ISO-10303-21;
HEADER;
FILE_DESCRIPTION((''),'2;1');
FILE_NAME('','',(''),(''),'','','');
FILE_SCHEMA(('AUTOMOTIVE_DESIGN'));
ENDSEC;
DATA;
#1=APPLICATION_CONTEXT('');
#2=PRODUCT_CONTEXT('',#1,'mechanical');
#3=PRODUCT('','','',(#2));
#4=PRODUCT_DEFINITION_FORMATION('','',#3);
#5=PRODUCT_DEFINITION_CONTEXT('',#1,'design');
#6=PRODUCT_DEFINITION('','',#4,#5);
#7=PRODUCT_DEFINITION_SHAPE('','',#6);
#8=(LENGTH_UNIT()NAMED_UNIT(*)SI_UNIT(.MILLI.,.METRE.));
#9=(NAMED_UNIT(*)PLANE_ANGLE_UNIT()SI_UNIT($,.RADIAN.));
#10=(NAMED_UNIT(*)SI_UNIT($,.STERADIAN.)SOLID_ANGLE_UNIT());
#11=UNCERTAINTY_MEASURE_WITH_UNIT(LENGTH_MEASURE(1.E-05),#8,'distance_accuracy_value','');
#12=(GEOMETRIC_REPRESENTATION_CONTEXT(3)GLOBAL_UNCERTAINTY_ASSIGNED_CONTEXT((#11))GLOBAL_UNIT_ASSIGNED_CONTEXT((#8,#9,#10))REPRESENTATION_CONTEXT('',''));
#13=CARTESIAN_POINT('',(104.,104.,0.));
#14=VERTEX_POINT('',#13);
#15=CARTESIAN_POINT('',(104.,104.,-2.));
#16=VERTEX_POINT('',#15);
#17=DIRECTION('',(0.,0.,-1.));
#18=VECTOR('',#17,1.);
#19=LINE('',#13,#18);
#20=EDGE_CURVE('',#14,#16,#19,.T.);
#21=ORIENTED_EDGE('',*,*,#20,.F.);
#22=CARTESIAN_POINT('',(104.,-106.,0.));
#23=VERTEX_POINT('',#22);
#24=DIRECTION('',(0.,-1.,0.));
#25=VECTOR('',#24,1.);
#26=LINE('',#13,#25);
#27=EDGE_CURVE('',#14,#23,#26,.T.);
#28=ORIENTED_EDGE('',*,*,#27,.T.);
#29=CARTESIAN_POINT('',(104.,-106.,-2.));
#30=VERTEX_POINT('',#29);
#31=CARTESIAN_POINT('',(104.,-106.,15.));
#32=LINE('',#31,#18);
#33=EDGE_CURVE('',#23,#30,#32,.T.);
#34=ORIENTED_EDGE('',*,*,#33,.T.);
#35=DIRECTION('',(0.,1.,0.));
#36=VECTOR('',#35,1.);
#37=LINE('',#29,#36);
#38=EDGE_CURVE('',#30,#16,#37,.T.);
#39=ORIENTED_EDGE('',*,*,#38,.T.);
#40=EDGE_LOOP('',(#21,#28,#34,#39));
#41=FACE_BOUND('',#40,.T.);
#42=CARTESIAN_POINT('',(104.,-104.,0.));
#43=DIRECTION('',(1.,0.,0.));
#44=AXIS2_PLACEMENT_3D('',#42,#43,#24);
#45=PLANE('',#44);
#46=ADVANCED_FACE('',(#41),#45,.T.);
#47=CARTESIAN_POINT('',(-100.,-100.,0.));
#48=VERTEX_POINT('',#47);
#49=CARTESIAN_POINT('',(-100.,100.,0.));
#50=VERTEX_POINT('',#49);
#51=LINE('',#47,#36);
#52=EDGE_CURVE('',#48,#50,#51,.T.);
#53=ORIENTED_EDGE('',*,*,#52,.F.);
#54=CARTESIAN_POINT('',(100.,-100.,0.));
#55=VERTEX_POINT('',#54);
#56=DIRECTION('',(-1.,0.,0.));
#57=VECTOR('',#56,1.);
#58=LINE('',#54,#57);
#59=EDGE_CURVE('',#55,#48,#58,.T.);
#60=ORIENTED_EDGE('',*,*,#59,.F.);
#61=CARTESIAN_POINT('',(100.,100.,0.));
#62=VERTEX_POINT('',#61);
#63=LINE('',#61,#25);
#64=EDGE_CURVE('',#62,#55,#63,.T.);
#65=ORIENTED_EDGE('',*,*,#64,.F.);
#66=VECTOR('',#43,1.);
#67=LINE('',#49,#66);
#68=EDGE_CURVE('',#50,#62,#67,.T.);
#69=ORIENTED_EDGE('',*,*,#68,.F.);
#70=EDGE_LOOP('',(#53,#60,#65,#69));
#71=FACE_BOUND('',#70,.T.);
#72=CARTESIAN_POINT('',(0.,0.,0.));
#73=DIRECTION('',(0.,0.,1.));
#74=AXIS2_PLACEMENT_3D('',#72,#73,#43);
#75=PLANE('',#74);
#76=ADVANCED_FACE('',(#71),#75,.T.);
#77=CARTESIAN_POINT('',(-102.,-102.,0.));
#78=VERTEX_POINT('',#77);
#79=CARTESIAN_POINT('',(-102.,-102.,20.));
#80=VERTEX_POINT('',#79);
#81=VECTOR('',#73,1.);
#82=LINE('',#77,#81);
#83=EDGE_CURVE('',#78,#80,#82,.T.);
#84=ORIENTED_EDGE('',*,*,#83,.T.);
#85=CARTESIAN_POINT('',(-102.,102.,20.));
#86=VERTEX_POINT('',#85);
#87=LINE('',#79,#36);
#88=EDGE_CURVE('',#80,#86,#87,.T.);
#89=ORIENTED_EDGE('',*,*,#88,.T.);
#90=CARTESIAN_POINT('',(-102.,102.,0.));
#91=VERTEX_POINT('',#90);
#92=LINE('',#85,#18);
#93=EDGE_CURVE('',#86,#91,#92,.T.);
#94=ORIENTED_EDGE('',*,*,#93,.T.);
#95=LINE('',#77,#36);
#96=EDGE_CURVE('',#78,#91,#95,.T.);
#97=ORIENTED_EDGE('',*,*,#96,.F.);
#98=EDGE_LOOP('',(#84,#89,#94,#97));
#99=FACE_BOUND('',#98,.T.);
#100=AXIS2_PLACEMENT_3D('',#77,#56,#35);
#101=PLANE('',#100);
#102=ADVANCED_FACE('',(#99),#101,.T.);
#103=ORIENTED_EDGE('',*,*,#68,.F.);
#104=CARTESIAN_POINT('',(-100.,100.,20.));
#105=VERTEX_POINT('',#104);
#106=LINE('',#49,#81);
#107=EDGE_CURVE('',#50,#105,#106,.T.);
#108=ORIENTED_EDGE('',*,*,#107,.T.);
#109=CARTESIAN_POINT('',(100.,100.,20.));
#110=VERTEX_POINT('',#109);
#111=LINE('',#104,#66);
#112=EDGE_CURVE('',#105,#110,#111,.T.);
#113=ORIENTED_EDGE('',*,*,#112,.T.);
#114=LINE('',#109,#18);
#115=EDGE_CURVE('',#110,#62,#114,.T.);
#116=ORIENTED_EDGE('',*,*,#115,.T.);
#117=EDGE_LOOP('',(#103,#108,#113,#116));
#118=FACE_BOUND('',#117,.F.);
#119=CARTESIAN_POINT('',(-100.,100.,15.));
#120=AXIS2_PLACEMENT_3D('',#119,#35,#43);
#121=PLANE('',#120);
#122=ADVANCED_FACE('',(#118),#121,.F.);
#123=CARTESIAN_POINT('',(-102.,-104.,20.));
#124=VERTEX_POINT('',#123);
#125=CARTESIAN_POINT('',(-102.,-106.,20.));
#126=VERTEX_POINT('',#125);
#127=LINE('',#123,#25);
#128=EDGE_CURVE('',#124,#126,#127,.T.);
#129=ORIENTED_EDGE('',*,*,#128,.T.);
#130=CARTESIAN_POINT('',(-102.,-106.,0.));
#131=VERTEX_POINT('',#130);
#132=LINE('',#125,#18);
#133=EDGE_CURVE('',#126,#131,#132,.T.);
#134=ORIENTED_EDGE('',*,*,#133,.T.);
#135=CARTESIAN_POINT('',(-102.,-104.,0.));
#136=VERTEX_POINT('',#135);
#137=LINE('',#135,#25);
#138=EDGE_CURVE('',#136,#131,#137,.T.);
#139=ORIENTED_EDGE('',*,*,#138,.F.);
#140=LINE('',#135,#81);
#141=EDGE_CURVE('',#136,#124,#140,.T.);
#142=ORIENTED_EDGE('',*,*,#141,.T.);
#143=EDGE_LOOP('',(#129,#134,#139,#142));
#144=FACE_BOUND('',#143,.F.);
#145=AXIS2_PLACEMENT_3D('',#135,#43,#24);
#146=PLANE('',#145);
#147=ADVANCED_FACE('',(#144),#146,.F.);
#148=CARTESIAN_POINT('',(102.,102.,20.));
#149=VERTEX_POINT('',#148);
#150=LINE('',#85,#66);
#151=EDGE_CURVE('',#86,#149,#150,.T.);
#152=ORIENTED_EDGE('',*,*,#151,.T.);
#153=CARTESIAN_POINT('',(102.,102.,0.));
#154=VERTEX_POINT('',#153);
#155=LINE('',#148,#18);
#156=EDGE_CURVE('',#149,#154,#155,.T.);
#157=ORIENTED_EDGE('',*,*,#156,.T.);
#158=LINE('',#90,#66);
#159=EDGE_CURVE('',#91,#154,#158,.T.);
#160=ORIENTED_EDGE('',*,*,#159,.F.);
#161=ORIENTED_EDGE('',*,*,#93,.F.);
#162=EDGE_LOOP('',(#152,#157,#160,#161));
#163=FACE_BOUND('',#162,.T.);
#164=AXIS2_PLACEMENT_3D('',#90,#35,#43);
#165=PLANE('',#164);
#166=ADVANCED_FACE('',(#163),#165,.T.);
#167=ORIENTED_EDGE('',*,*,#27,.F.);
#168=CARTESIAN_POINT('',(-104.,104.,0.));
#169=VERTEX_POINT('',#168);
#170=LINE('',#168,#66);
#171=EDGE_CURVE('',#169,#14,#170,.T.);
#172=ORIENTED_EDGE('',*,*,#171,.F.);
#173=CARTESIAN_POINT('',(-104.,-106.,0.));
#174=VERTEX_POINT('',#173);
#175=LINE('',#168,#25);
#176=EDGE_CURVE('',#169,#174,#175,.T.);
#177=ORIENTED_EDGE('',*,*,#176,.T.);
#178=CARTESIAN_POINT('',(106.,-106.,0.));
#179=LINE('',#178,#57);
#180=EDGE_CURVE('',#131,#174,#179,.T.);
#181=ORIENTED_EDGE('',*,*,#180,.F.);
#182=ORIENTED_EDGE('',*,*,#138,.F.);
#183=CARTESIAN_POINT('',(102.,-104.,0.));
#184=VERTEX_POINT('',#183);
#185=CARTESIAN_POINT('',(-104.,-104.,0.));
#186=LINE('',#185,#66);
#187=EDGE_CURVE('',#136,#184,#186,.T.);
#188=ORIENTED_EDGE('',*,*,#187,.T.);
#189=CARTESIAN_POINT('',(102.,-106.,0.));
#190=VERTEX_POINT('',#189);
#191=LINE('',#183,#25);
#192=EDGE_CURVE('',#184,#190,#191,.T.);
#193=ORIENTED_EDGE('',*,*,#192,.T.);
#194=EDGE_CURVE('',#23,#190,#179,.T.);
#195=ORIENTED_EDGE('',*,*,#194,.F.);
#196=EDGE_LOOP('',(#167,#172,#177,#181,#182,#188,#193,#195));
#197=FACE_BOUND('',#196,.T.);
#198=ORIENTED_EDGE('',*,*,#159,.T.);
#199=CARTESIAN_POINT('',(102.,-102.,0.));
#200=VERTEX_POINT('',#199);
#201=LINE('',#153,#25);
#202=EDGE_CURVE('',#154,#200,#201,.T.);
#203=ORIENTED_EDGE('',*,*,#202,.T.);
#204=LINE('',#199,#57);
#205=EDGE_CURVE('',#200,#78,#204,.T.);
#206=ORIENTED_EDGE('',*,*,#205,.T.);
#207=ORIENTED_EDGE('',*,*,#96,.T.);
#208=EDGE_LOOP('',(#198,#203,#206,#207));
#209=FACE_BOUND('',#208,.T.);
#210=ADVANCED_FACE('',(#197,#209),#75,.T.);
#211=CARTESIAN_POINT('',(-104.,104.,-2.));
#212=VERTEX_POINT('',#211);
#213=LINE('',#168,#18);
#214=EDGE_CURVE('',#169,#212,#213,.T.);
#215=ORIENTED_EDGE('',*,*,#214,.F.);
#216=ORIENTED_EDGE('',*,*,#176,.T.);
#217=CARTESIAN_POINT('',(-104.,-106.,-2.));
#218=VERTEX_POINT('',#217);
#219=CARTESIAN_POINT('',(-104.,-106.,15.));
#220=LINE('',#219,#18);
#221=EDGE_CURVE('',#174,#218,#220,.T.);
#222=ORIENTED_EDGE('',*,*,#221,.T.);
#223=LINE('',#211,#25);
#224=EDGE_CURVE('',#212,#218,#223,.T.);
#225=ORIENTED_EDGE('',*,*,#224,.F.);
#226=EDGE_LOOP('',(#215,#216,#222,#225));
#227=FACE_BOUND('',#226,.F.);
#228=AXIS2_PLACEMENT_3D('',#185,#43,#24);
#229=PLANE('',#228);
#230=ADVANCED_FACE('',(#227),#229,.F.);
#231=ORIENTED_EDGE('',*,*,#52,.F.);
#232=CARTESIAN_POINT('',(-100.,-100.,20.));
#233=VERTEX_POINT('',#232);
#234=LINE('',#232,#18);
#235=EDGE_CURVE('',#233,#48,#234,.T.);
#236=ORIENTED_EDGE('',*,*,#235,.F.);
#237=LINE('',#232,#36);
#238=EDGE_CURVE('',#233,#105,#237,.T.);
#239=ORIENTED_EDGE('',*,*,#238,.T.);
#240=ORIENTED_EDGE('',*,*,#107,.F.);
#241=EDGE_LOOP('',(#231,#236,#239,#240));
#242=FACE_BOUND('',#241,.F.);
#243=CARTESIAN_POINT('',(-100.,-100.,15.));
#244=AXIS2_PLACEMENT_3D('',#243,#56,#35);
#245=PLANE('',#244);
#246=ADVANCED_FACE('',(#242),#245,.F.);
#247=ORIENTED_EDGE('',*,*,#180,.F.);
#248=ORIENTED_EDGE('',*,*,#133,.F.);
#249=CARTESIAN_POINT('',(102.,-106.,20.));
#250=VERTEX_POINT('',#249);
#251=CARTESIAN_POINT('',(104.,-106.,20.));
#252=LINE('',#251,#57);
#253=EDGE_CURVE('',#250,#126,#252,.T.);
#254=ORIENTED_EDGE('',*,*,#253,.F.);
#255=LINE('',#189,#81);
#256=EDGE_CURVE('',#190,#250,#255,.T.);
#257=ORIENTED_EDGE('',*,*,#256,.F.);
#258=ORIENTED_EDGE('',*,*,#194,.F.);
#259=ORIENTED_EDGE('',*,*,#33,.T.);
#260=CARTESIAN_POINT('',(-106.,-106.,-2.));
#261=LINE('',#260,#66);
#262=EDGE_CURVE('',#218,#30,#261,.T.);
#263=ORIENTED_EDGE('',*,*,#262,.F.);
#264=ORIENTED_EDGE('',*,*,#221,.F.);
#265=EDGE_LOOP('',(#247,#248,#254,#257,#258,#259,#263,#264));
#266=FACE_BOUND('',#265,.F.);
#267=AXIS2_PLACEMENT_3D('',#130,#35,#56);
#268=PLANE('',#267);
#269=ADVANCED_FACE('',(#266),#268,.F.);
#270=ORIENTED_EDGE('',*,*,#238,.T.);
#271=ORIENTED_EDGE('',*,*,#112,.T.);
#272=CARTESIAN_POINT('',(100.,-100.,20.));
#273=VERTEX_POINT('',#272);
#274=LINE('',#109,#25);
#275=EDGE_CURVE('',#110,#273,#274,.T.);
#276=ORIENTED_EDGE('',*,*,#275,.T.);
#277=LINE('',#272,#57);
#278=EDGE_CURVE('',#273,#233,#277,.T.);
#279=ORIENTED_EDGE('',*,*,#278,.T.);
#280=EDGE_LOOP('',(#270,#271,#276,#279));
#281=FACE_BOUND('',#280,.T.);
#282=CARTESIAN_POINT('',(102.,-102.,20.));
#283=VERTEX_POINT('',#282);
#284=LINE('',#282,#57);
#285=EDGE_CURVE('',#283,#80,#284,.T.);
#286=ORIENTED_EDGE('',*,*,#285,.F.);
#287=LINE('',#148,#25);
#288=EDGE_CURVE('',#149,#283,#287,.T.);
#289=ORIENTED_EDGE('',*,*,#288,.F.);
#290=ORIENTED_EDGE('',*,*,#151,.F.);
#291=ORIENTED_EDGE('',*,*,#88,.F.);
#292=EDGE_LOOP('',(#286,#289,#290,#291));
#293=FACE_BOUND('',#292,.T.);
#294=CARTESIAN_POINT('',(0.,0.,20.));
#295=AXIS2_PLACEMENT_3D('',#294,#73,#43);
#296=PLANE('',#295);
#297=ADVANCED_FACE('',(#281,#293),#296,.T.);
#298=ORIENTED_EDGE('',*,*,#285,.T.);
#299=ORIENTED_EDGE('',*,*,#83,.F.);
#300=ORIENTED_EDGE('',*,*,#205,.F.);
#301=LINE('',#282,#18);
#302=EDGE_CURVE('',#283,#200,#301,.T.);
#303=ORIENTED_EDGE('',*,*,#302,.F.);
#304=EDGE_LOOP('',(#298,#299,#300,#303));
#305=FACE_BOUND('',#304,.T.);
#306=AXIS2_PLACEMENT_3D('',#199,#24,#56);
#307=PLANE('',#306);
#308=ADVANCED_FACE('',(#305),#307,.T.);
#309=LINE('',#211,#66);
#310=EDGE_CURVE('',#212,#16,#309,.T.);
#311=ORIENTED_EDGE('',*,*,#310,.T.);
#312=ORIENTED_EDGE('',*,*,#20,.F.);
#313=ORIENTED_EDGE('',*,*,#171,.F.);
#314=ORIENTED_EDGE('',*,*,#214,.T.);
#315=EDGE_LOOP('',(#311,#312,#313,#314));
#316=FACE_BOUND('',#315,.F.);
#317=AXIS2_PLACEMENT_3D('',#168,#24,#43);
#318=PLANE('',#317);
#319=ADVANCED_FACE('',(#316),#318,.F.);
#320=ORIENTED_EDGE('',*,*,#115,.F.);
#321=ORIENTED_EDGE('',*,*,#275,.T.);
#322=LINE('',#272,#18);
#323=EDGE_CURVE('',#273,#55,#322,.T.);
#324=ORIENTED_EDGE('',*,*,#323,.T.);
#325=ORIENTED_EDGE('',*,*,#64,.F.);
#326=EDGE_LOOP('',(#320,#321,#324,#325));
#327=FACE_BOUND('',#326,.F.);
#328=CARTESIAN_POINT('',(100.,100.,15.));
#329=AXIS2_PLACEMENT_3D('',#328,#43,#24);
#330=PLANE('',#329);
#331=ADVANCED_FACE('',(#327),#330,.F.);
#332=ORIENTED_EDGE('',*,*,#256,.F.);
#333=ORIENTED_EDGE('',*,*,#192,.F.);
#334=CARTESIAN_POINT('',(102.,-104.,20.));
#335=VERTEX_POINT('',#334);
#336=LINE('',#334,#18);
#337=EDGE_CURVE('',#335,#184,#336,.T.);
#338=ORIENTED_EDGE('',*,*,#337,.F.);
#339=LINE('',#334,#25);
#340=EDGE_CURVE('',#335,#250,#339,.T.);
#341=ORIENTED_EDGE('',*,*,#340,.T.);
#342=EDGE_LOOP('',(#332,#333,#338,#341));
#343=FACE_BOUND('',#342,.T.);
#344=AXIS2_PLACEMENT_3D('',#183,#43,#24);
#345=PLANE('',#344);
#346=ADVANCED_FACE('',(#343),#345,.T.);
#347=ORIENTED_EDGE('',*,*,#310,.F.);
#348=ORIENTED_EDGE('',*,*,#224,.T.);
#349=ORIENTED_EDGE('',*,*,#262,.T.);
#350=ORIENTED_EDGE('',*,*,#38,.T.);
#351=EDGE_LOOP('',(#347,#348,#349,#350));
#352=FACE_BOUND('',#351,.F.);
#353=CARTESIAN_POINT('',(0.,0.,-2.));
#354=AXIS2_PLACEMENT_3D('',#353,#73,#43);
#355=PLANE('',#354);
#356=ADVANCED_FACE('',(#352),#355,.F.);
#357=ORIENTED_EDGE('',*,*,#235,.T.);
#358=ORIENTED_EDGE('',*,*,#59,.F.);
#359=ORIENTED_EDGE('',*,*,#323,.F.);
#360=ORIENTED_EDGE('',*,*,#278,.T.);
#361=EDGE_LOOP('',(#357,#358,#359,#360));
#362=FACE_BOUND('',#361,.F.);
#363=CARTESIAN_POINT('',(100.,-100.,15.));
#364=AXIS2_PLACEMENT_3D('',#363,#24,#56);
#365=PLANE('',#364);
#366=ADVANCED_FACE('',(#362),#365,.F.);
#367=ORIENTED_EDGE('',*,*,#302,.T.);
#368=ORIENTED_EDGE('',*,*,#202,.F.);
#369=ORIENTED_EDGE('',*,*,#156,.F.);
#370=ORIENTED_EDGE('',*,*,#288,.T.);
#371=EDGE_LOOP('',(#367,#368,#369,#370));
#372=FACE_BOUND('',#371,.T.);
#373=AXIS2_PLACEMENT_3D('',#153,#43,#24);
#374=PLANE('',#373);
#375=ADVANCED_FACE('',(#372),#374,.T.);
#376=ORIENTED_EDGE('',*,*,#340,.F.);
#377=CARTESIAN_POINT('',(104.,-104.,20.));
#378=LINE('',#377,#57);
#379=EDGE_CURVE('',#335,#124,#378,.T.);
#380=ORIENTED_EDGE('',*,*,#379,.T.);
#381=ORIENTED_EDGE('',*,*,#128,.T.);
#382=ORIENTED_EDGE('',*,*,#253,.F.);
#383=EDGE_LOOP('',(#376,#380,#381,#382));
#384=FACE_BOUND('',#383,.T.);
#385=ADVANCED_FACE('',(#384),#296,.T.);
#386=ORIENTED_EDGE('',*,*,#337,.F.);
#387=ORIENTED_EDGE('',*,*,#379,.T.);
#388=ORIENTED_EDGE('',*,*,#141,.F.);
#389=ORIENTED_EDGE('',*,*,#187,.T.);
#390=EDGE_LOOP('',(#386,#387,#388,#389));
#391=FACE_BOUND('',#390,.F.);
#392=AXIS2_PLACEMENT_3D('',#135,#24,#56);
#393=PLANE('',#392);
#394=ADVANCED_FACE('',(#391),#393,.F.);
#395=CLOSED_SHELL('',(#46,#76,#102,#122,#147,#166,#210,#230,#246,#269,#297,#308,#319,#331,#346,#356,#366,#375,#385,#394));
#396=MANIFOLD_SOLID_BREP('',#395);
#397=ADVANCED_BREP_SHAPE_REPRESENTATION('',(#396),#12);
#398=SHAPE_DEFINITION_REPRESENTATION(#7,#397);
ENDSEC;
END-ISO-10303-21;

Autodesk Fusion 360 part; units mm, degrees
sketch "Szkic5" plane through (0, 0, 0) normal (0, 0, 1) x (1, 0, 0)
  line L0 (-100, 100) -> (100, 100)
  line L1 (100, 100) -> (100, -100)
  line L2 (100, -100) -> (-100, -100)
  line L3 (-100, -100) -> (-100, 100)
  line L4 (-102, 102) -> (102, 102)
  line L5 (102, 102) -> (102, -102)
  line L6 (102, -102) -> (-102, -102)
  line L7 (-102, -102) -> (-102, 102)
  line L8 (-104, 104) -> (104, 104)
  line L9 (104, 104) -> (104, -104)
  line L10 (104, -104) -> (-104, -104)
  line L11 (-104, -104) -> (-104, 104)
  line L12 (-106, 106) -> (106, 106)
  line L13 (106, 106) -> (106, -106)
  line L14 (106, -106) -> (-106, -106)
  line L15 (-106, -106) -> (-106, 106)
  line L16 (-104, -104) -> (-104, -106)
  line L17 (104, -104) -> (104, -106)
  line L18 (102, -102) -> (102, -104)
  line L19 (-102, -102) -> (-102, -104)
  line L20 (-102, -104) -> (-102, -106)
  line L21 (104, -104) -> (104, -106)
  line L22 (102, -104) -> (102, -106)
  dimension "d31" = 2
  dimension "d32" = 2
  dimension "d33" = 2
  dimension "d34" = 2
  dimension "d35" = 2
  dimension "d36" = 2
  dimension "d37" = 2
  dimension "d38" = 2
  dimension "d39" = 2
  dimension "d40" = 2
  dimension "d41" = 2
  dimension "d42" = 2
extrude "Wyciągnięcie proste15" add sketch "Szkic5" against normal blind 2 contours L0 L1 L2 L3 | L4 L5 L7 L8 L9 L10 L11 L18 L19 | L4 L5 L6 L7 | L6 L10 L18 L19 | L10 L14 L16 L20 | L10 L14 L20 L22 | L10 L14 L17 L21 L22 | L8 L9 L11 L12 L13 L14 L15 L16 L17 L21
extrude "Wyciągnięcie proste16" add sketch "Szkic5" along normal blind 15 contours L4 L5 L6 L7
extrude "Wyciągnięcie proste17" add sketch "Szkic5" along normal blind 15 contours L10 L14 L16 L20 | L10 L14 L20 L22 | L10 L14 L17 L21 L22
extrude "Wyciągnięcie proste18" cut sketch "Szkic5" against normal blind 2 contours L8 L9 L11 L12 L13 L14 L15 L16 L17 L21
extrude "Extrude19" cut sketch "Szkic5" along normal blind 15 contours L10 L14 L16 L20 | L10 L14 L17 L21 L22
extrude "Extrude20" add 2 faces at (-33.3333, -101.3333, 15) (-34, -105.3333, 15) along direction (0, 0, 1) blind 5
